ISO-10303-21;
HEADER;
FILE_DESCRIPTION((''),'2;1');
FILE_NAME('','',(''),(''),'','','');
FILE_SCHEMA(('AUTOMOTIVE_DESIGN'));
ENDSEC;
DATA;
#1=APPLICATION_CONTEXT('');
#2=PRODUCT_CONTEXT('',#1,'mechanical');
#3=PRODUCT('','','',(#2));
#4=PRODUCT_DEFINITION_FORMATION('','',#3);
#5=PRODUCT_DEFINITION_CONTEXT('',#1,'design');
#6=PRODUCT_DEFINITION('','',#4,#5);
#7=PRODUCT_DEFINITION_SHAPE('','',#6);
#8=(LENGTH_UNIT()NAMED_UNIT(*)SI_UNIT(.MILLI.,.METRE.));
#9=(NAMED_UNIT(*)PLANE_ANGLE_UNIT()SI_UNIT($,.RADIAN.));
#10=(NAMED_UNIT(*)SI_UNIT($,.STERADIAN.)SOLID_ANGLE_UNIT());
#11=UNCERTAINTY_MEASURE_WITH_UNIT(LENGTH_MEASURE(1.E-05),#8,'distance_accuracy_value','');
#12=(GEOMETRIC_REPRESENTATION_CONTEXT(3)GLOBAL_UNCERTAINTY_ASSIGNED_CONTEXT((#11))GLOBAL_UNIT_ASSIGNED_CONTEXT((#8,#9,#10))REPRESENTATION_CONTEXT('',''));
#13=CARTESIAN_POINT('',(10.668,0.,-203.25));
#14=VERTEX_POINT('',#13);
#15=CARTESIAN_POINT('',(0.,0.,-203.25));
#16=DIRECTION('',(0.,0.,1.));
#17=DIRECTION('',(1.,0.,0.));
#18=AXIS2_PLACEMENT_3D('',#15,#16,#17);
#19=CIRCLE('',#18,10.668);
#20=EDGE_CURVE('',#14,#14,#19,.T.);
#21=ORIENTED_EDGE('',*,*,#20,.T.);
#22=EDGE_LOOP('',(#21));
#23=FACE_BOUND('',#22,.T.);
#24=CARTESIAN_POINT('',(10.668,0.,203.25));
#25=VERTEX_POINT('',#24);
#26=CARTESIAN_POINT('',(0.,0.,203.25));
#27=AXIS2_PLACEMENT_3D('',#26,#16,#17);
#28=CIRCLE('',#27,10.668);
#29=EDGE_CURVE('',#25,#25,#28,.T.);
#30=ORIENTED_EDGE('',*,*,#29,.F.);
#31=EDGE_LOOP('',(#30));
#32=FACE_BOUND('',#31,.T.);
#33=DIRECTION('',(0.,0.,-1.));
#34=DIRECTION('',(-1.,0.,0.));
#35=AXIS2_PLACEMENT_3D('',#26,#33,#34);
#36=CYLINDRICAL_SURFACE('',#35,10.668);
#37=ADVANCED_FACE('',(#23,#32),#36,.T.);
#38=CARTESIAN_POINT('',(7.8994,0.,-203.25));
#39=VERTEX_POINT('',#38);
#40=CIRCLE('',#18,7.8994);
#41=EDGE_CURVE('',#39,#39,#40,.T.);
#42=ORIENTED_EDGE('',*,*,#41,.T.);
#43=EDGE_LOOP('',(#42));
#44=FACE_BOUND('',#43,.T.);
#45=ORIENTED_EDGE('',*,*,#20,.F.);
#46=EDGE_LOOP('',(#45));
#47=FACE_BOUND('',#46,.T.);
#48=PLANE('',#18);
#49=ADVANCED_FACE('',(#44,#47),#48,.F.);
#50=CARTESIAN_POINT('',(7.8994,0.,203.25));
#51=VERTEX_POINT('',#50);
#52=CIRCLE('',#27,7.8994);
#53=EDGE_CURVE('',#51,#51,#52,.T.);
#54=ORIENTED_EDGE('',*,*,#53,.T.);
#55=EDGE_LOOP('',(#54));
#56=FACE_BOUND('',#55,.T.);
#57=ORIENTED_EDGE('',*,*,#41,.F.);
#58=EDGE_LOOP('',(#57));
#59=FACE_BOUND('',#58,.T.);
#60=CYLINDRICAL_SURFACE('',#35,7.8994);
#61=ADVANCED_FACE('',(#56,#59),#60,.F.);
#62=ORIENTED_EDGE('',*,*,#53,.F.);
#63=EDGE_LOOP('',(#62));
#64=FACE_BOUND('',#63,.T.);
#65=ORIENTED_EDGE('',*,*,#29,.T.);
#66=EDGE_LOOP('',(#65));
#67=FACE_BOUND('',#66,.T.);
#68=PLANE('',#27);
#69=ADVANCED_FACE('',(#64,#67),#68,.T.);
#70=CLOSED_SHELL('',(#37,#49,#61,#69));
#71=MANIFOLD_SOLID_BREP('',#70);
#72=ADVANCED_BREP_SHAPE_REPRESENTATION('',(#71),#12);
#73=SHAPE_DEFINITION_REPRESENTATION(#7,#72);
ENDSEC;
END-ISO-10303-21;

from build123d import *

# Parameters (mm, degrees)
SKETCH1_R           = 10.668
SKETCH1_R_2         = 7.8994
EXTRUDE_THIN1_DEPTH = 203.25


with BuildPart() as part:
    # Sketch1 → Extrude-Thin1 (new body, symmetric)
    with BuildSketch(Plane.XY):
        Circle(SKETCH1_R)
        Circle(SKETCH1_R_2, mode=Mode.SUBTRACT)
    extrude(amount=EXTRUDE_THIN1_DEPTH, both=True)


solid = part.part
